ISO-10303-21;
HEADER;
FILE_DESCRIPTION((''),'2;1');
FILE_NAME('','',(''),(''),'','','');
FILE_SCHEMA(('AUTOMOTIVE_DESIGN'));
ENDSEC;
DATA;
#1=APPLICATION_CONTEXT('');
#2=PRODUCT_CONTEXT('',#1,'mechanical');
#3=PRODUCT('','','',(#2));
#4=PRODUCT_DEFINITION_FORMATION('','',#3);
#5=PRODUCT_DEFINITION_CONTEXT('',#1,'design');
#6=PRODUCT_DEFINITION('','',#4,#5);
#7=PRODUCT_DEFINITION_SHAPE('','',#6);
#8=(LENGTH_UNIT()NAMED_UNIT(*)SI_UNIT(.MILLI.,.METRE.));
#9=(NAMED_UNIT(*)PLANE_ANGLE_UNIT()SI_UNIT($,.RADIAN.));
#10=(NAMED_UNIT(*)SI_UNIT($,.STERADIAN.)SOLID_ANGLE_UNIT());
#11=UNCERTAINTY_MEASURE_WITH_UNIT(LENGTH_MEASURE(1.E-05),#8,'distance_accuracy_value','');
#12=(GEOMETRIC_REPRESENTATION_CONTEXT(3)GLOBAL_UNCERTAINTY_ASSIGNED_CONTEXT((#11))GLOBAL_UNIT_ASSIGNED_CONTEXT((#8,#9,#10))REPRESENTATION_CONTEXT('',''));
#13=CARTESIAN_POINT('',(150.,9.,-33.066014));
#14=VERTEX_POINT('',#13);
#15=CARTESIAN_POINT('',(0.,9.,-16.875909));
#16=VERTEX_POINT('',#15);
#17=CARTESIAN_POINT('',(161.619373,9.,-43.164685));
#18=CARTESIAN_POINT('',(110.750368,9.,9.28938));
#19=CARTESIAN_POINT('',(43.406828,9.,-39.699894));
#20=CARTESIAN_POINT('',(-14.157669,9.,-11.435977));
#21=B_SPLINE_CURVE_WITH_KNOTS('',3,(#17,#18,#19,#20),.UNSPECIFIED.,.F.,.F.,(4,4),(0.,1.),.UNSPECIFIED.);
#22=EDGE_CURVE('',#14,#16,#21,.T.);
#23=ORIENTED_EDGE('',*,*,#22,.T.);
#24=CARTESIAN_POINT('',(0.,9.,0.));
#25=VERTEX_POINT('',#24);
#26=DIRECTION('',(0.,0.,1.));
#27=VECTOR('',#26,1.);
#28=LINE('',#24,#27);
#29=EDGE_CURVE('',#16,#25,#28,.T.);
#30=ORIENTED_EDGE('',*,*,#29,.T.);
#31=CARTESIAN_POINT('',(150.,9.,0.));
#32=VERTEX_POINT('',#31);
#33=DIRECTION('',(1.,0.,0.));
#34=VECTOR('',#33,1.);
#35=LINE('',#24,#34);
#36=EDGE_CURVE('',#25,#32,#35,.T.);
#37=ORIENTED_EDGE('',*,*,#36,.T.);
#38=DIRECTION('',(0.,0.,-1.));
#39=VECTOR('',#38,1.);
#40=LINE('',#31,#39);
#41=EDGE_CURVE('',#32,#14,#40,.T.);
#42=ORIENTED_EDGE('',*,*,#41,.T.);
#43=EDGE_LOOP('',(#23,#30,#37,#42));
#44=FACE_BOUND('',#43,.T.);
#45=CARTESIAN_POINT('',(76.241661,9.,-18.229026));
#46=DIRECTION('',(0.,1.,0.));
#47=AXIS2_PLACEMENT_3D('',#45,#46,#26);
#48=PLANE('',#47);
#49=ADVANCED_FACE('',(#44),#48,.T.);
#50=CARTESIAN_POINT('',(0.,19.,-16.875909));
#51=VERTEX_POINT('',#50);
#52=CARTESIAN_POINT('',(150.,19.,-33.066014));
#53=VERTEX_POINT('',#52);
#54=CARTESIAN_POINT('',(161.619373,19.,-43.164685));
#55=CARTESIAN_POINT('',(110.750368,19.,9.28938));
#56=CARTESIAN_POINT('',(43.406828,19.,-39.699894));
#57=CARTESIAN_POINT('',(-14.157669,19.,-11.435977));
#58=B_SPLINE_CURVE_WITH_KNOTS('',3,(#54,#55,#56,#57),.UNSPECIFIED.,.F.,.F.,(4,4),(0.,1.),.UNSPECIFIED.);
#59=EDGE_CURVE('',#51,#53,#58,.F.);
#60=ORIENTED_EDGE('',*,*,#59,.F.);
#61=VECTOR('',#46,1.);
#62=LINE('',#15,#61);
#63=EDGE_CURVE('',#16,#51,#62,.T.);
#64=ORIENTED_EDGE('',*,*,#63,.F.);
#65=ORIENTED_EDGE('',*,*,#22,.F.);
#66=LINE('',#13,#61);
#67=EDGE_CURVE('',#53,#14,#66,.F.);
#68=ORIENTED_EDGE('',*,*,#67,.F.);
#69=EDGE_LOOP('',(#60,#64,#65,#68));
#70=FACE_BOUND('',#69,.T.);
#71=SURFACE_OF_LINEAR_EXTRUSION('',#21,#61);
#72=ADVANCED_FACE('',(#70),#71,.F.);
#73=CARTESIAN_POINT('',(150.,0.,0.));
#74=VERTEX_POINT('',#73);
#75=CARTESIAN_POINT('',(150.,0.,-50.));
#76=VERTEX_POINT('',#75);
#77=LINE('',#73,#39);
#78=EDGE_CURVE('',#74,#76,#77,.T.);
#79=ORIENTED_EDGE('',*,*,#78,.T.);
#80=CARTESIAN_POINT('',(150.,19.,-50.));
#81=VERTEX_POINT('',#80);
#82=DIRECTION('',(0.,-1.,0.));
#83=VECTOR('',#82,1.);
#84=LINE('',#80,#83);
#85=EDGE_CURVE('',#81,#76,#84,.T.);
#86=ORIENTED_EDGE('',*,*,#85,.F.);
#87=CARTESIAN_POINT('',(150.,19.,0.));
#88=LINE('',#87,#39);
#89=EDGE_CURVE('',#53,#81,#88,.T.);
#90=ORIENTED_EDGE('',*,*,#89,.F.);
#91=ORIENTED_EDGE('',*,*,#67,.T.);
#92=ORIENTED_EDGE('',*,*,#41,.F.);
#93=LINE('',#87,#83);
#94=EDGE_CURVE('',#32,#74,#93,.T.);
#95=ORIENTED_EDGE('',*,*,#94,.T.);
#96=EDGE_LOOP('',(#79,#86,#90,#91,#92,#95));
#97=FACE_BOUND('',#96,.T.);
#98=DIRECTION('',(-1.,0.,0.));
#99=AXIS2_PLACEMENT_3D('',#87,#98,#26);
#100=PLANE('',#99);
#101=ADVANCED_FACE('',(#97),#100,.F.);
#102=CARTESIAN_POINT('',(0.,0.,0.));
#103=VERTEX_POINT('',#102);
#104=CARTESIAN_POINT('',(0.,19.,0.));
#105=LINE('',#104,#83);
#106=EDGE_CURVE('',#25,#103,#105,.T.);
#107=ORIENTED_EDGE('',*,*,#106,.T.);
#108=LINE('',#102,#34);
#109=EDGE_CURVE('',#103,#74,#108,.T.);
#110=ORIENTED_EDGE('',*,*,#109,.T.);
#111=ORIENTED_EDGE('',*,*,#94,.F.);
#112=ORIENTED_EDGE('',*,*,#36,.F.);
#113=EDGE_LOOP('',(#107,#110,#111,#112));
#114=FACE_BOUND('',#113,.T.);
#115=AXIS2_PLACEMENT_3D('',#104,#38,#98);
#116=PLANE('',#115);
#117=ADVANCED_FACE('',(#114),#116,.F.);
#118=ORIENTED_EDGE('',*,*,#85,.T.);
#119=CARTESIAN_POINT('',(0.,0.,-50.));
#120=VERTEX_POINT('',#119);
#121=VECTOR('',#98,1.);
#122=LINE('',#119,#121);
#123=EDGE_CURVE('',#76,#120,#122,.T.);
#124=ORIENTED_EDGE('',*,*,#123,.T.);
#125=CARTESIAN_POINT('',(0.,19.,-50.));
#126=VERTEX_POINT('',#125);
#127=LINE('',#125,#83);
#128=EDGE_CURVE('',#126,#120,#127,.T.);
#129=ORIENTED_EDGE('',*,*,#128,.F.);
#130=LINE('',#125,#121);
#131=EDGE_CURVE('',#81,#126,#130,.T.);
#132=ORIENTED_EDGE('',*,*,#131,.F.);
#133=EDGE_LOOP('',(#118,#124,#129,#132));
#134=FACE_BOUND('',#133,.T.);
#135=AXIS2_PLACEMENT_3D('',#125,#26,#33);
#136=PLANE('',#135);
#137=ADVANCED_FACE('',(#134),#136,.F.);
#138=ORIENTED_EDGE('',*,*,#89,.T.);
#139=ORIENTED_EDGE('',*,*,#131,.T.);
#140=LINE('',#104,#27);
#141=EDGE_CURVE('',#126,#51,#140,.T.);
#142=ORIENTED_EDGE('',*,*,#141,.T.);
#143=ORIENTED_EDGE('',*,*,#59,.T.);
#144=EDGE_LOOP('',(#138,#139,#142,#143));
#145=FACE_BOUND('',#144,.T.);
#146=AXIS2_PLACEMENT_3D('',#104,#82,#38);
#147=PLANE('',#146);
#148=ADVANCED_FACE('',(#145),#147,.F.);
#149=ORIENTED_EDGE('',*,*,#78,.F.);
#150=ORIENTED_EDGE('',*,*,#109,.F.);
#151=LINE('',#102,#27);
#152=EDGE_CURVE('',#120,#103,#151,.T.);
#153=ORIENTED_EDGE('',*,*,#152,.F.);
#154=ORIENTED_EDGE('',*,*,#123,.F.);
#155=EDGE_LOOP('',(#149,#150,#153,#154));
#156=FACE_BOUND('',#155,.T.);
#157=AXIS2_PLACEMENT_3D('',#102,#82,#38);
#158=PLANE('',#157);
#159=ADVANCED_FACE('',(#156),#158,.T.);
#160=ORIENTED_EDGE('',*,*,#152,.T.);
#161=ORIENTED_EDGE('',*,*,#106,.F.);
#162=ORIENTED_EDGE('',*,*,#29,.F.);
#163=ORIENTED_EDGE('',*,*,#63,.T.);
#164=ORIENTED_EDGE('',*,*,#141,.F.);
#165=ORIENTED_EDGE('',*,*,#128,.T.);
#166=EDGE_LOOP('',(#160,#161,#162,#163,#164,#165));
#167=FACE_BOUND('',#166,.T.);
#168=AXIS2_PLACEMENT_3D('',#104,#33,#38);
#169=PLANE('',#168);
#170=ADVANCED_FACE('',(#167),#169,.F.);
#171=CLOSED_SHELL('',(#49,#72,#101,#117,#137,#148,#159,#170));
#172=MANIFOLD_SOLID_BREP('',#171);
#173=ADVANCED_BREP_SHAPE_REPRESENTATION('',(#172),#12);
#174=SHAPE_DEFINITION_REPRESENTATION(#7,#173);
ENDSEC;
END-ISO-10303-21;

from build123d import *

# Parameters (mm, degrees)
SKETCH1_W           = 150
SKETCH1_H           = 50
BOSS_EXTRUDE1_DEPTH = 19
CUT_EXTRUDE1_DEPTH  = 10


with BuildPart() as part:
    # Sketch1 → Boss-Extrude1 (new body)
    with BuildSketch(Plane(origin=(0, 0, 0), x_dir=(1, 0, 0), z_dir=(0, 1, 0))):
        with Locations((75, 25)):
            Rectangle(SKETCH1_W, SKETCH1_H)
    extrude(amount=BOSS_EXTRUDE1_DEPTH)

    # Sketch2 → Cut-Extrude1 (cut)
    with BuildSketch(Plane(origin=(0, 19, 0), x_dir=(1, 0, 0), z_dir=(0, 1, 0))):
        with BuildLine():
            Line((-14.15766915, 11.43597738), (-14.15766915, -14.105632465))
            Line((-14.15766915, -14.105632465), (161.61937252, -14.105632465))
            Line((161.61937252, -14.105632465), (161.61937252, 43.164685263))
            add(Edge.make_bspline(
                [(-14.15766915, 11.43597738), (43.406827576, 39.699894181), (110.750368018, -9.289380037), (161.61937252, 43.164685263)],
                knots=[0, 0, 0, 0, 1, 1, 1, 1], degree=3))
        make_face()
    extrude(amount=-CUT_EXTRUDE1_DEPTH, mode=Mode.SUBTRACT)


solid = part.part
